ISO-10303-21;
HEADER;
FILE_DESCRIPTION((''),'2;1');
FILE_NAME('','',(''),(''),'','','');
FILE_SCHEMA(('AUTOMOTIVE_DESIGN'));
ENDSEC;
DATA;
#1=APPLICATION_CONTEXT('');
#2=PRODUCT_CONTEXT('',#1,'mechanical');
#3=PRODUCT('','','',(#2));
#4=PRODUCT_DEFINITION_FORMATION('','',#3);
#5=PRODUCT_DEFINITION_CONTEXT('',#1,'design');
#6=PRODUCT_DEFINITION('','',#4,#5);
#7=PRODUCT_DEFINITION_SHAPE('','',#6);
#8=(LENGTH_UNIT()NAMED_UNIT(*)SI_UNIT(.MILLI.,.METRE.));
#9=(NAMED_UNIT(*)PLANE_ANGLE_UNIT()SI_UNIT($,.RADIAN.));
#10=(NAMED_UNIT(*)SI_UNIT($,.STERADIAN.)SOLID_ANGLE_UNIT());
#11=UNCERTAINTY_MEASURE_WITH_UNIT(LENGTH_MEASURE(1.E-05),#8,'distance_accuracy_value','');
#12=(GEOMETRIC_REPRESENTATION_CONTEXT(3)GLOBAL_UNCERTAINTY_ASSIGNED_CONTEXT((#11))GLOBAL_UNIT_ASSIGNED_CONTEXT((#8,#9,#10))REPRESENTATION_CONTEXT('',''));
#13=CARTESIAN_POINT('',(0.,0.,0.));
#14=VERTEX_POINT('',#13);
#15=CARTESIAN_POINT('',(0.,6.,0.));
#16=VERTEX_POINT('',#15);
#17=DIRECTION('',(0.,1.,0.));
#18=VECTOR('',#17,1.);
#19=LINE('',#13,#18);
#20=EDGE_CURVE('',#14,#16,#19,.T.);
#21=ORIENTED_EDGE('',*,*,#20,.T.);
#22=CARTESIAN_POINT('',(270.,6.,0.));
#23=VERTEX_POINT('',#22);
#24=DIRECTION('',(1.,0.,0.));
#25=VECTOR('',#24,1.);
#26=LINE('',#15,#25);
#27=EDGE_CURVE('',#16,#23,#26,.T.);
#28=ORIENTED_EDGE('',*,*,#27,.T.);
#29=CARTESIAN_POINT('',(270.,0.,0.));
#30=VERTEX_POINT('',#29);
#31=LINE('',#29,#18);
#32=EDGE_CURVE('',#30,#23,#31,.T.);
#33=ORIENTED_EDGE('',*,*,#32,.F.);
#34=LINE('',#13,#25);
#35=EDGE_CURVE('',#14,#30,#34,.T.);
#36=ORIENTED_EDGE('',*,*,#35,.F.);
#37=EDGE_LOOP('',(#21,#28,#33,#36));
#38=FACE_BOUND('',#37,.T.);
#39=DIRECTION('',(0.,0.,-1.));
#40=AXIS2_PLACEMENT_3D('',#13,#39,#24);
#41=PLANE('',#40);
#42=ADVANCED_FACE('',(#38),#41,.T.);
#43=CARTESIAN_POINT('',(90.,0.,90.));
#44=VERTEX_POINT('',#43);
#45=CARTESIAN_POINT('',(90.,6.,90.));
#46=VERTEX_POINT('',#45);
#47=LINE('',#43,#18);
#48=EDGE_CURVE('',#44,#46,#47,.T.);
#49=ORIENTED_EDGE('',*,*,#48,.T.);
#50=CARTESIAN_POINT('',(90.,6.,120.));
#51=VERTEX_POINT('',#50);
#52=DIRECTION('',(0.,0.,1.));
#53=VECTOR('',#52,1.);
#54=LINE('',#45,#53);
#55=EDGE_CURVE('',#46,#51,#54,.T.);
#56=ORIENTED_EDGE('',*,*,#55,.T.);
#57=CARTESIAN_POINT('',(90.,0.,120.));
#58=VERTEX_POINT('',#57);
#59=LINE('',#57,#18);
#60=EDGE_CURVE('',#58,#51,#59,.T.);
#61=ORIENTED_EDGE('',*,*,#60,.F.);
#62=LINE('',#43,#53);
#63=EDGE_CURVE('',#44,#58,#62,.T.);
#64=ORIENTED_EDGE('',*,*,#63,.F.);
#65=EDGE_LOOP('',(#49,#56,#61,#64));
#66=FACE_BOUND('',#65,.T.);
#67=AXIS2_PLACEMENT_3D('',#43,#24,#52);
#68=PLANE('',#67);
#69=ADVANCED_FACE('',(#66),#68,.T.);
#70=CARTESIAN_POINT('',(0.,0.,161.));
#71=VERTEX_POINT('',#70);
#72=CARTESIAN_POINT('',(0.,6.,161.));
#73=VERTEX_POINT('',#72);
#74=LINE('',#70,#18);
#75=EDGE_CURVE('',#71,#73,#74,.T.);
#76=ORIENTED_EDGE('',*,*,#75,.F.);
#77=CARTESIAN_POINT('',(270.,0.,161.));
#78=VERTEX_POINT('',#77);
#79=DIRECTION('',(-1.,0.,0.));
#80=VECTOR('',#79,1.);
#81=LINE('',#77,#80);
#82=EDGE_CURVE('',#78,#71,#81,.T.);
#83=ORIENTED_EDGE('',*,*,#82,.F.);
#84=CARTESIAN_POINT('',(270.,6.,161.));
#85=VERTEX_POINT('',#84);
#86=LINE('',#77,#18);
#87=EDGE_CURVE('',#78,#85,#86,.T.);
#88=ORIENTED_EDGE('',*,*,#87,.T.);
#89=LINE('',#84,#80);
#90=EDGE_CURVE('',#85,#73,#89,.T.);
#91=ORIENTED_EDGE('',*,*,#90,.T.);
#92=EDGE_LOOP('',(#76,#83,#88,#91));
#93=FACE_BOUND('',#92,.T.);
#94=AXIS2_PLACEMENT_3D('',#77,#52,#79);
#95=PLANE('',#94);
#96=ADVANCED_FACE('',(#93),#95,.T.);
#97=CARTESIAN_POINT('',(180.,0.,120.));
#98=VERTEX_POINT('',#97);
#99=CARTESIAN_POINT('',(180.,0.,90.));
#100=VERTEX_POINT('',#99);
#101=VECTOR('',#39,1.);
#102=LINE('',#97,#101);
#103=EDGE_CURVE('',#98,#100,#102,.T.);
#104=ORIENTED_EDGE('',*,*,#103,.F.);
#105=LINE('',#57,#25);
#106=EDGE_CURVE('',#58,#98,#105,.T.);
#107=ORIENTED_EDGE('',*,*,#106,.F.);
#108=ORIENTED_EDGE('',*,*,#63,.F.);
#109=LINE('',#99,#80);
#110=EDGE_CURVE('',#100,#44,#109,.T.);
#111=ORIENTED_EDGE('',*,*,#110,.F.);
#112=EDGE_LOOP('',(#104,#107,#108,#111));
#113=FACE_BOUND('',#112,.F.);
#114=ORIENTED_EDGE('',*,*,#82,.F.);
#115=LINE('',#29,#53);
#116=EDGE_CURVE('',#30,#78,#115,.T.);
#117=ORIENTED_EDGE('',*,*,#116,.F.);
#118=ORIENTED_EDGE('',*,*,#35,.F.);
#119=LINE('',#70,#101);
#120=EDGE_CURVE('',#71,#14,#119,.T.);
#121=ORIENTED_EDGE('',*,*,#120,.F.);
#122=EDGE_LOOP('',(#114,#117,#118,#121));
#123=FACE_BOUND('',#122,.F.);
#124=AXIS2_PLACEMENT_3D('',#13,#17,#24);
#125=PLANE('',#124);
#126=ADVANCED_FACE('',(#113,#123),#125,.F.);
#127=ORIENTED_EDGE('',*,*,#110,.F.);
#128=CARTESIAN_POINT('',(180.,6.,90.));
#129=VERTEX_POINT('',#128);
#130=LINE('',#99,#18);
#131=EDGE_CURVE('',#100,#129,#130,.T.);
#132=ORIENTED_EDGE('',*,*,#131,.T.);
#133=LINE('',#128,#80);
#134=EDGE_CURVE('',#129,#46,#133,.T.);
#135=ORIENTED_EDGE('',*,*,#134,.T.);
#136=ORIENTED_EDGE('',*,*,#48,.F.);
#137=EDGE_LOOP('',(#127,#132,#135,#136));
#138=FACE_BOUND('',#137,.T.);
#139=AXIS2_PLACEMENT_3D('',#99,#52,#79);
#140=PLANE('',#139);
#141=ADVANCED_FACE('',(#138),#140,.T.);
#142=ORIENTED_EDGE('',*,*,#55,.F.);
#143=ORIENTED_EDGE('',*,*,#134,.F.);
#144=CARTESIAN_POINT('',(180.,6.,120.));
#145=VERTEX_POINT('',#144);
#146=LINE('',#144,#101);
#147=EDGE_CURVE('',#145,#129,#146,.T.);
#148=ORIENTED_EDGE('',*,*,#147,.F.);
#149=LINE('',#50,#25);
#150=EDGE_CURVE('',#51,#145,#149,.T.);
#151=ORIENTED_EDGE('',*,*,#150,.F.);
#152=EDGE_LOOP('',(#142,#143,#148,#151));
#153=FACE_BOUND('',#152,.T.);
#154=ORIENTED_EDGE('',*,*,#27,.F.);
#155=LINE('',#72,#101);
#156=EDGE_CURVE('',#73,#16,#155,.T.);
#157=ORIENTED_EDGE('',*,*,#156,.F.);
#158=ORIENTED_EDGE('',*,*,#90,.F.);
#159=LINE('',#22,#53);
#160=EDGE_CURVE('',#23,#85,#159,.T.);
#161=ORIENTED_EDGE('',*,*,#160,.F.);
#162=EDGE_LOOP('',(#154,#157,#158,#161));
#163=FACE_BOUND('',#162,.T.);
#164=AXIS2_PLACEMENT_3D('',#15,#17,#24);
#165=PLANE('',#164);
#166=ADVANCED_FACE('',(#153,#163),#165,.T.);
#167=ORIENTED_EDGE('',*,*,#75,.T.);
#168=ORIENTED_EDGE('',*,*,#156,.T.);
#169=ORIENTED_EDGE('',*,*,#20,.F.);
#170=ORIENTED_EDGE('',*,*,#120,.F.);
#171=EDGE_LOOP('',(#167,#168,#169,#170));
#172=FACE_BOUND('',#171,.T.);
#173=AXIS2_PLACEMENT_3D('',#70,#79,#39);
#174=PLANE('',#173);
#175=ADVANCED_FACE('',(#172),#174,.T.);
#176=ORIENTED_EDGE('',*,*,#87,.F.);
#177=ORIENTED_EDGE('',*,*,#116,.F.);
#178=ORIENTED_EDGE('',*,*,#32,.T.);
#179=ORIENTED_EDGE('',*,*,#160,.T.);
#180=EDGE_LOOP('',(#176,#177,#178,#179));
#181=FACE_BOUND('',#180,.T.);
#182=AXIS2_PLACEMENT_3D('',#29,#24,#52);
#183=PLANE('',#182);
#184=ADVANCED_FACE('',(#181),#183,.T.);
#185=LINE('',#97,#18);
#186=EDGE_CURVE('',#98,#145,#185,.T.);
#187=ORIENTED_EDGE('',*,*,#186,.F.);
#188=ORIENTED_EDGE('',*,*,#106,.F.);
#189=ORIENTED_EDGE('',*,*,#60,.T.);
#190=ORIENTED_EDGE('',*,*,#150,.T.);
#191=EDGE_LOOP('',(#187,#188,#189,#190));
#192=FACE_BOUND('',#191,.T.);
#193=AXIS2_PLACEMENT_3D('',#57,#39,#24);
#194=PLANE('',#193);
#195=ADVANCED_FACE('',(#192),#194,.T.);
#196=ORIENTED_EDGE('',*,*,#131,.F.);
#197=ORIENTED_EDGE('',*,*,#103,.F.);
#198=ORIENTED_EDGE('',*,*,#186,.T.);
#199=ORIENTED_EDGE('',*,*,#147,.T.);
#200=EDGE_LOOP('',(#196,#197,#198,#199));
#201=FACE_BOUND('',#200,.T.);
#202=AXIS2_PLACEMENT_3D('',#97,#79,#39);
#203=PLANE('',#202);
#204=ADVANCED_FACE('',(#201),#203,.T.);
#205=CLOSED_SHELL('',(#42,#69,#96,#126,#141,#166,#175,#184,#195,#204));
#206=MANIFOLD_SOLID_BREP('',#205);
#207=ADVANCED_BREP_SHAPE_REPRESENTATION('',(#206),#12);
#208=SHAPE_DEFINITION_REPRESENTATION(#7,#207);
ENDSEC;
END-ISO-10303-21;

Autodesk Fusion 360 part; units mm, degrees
sketch "Unsorted Smarties Back" plane through (0, 0, 0) normal (0, 1, 0) x (1, 0, 0)
  line L0 (0, 0) -> (270, 0)
  line L1 (270, 0) -> (270, -161)
  line L2 (270, -161) -> (0, -161)
  line L3 (0, -161) -> (0, 0)
  dimension "d1" = 270
  dimension "d2" = 161
extrude "Extrude1" add sketch "Unsorted Smarties Back" along normal blind 6
sketch "Smartie Feed" plane through (0, 0, 0) normal (0, -1, 0) x (1, 0, 0)
  line L0 (270, 161) -> (0, 161)
  line L1 (0, 161) -> (0, 0)
  line L2 (0, 0) -> (270, 0)
  line L3 (270, 0) -> (270, 161)
  line L4 (90, 120) -> (180, 120)
  line L5 (180, 120) -> (180, 90)
  line L6 (180, 90) -> (90, 90)
  line L7 (90, 90) -> (90, 120)
  dimension "d6" = 90
  dimension "d7" = 90
  dimension "d8" = 41
  dimension "d9" = 30
  dimension "d12" = 90
extrude "Extrude2" cut sketch "Smartie Feed" against normal blind 6 contours L4 L5 L6 L7
equation "mdfThickness = 6 mm" comment "Thickness of the MDF fibre board"
equation "d4 = mdfThickness"
equation "d10 = -mdfThickness"
